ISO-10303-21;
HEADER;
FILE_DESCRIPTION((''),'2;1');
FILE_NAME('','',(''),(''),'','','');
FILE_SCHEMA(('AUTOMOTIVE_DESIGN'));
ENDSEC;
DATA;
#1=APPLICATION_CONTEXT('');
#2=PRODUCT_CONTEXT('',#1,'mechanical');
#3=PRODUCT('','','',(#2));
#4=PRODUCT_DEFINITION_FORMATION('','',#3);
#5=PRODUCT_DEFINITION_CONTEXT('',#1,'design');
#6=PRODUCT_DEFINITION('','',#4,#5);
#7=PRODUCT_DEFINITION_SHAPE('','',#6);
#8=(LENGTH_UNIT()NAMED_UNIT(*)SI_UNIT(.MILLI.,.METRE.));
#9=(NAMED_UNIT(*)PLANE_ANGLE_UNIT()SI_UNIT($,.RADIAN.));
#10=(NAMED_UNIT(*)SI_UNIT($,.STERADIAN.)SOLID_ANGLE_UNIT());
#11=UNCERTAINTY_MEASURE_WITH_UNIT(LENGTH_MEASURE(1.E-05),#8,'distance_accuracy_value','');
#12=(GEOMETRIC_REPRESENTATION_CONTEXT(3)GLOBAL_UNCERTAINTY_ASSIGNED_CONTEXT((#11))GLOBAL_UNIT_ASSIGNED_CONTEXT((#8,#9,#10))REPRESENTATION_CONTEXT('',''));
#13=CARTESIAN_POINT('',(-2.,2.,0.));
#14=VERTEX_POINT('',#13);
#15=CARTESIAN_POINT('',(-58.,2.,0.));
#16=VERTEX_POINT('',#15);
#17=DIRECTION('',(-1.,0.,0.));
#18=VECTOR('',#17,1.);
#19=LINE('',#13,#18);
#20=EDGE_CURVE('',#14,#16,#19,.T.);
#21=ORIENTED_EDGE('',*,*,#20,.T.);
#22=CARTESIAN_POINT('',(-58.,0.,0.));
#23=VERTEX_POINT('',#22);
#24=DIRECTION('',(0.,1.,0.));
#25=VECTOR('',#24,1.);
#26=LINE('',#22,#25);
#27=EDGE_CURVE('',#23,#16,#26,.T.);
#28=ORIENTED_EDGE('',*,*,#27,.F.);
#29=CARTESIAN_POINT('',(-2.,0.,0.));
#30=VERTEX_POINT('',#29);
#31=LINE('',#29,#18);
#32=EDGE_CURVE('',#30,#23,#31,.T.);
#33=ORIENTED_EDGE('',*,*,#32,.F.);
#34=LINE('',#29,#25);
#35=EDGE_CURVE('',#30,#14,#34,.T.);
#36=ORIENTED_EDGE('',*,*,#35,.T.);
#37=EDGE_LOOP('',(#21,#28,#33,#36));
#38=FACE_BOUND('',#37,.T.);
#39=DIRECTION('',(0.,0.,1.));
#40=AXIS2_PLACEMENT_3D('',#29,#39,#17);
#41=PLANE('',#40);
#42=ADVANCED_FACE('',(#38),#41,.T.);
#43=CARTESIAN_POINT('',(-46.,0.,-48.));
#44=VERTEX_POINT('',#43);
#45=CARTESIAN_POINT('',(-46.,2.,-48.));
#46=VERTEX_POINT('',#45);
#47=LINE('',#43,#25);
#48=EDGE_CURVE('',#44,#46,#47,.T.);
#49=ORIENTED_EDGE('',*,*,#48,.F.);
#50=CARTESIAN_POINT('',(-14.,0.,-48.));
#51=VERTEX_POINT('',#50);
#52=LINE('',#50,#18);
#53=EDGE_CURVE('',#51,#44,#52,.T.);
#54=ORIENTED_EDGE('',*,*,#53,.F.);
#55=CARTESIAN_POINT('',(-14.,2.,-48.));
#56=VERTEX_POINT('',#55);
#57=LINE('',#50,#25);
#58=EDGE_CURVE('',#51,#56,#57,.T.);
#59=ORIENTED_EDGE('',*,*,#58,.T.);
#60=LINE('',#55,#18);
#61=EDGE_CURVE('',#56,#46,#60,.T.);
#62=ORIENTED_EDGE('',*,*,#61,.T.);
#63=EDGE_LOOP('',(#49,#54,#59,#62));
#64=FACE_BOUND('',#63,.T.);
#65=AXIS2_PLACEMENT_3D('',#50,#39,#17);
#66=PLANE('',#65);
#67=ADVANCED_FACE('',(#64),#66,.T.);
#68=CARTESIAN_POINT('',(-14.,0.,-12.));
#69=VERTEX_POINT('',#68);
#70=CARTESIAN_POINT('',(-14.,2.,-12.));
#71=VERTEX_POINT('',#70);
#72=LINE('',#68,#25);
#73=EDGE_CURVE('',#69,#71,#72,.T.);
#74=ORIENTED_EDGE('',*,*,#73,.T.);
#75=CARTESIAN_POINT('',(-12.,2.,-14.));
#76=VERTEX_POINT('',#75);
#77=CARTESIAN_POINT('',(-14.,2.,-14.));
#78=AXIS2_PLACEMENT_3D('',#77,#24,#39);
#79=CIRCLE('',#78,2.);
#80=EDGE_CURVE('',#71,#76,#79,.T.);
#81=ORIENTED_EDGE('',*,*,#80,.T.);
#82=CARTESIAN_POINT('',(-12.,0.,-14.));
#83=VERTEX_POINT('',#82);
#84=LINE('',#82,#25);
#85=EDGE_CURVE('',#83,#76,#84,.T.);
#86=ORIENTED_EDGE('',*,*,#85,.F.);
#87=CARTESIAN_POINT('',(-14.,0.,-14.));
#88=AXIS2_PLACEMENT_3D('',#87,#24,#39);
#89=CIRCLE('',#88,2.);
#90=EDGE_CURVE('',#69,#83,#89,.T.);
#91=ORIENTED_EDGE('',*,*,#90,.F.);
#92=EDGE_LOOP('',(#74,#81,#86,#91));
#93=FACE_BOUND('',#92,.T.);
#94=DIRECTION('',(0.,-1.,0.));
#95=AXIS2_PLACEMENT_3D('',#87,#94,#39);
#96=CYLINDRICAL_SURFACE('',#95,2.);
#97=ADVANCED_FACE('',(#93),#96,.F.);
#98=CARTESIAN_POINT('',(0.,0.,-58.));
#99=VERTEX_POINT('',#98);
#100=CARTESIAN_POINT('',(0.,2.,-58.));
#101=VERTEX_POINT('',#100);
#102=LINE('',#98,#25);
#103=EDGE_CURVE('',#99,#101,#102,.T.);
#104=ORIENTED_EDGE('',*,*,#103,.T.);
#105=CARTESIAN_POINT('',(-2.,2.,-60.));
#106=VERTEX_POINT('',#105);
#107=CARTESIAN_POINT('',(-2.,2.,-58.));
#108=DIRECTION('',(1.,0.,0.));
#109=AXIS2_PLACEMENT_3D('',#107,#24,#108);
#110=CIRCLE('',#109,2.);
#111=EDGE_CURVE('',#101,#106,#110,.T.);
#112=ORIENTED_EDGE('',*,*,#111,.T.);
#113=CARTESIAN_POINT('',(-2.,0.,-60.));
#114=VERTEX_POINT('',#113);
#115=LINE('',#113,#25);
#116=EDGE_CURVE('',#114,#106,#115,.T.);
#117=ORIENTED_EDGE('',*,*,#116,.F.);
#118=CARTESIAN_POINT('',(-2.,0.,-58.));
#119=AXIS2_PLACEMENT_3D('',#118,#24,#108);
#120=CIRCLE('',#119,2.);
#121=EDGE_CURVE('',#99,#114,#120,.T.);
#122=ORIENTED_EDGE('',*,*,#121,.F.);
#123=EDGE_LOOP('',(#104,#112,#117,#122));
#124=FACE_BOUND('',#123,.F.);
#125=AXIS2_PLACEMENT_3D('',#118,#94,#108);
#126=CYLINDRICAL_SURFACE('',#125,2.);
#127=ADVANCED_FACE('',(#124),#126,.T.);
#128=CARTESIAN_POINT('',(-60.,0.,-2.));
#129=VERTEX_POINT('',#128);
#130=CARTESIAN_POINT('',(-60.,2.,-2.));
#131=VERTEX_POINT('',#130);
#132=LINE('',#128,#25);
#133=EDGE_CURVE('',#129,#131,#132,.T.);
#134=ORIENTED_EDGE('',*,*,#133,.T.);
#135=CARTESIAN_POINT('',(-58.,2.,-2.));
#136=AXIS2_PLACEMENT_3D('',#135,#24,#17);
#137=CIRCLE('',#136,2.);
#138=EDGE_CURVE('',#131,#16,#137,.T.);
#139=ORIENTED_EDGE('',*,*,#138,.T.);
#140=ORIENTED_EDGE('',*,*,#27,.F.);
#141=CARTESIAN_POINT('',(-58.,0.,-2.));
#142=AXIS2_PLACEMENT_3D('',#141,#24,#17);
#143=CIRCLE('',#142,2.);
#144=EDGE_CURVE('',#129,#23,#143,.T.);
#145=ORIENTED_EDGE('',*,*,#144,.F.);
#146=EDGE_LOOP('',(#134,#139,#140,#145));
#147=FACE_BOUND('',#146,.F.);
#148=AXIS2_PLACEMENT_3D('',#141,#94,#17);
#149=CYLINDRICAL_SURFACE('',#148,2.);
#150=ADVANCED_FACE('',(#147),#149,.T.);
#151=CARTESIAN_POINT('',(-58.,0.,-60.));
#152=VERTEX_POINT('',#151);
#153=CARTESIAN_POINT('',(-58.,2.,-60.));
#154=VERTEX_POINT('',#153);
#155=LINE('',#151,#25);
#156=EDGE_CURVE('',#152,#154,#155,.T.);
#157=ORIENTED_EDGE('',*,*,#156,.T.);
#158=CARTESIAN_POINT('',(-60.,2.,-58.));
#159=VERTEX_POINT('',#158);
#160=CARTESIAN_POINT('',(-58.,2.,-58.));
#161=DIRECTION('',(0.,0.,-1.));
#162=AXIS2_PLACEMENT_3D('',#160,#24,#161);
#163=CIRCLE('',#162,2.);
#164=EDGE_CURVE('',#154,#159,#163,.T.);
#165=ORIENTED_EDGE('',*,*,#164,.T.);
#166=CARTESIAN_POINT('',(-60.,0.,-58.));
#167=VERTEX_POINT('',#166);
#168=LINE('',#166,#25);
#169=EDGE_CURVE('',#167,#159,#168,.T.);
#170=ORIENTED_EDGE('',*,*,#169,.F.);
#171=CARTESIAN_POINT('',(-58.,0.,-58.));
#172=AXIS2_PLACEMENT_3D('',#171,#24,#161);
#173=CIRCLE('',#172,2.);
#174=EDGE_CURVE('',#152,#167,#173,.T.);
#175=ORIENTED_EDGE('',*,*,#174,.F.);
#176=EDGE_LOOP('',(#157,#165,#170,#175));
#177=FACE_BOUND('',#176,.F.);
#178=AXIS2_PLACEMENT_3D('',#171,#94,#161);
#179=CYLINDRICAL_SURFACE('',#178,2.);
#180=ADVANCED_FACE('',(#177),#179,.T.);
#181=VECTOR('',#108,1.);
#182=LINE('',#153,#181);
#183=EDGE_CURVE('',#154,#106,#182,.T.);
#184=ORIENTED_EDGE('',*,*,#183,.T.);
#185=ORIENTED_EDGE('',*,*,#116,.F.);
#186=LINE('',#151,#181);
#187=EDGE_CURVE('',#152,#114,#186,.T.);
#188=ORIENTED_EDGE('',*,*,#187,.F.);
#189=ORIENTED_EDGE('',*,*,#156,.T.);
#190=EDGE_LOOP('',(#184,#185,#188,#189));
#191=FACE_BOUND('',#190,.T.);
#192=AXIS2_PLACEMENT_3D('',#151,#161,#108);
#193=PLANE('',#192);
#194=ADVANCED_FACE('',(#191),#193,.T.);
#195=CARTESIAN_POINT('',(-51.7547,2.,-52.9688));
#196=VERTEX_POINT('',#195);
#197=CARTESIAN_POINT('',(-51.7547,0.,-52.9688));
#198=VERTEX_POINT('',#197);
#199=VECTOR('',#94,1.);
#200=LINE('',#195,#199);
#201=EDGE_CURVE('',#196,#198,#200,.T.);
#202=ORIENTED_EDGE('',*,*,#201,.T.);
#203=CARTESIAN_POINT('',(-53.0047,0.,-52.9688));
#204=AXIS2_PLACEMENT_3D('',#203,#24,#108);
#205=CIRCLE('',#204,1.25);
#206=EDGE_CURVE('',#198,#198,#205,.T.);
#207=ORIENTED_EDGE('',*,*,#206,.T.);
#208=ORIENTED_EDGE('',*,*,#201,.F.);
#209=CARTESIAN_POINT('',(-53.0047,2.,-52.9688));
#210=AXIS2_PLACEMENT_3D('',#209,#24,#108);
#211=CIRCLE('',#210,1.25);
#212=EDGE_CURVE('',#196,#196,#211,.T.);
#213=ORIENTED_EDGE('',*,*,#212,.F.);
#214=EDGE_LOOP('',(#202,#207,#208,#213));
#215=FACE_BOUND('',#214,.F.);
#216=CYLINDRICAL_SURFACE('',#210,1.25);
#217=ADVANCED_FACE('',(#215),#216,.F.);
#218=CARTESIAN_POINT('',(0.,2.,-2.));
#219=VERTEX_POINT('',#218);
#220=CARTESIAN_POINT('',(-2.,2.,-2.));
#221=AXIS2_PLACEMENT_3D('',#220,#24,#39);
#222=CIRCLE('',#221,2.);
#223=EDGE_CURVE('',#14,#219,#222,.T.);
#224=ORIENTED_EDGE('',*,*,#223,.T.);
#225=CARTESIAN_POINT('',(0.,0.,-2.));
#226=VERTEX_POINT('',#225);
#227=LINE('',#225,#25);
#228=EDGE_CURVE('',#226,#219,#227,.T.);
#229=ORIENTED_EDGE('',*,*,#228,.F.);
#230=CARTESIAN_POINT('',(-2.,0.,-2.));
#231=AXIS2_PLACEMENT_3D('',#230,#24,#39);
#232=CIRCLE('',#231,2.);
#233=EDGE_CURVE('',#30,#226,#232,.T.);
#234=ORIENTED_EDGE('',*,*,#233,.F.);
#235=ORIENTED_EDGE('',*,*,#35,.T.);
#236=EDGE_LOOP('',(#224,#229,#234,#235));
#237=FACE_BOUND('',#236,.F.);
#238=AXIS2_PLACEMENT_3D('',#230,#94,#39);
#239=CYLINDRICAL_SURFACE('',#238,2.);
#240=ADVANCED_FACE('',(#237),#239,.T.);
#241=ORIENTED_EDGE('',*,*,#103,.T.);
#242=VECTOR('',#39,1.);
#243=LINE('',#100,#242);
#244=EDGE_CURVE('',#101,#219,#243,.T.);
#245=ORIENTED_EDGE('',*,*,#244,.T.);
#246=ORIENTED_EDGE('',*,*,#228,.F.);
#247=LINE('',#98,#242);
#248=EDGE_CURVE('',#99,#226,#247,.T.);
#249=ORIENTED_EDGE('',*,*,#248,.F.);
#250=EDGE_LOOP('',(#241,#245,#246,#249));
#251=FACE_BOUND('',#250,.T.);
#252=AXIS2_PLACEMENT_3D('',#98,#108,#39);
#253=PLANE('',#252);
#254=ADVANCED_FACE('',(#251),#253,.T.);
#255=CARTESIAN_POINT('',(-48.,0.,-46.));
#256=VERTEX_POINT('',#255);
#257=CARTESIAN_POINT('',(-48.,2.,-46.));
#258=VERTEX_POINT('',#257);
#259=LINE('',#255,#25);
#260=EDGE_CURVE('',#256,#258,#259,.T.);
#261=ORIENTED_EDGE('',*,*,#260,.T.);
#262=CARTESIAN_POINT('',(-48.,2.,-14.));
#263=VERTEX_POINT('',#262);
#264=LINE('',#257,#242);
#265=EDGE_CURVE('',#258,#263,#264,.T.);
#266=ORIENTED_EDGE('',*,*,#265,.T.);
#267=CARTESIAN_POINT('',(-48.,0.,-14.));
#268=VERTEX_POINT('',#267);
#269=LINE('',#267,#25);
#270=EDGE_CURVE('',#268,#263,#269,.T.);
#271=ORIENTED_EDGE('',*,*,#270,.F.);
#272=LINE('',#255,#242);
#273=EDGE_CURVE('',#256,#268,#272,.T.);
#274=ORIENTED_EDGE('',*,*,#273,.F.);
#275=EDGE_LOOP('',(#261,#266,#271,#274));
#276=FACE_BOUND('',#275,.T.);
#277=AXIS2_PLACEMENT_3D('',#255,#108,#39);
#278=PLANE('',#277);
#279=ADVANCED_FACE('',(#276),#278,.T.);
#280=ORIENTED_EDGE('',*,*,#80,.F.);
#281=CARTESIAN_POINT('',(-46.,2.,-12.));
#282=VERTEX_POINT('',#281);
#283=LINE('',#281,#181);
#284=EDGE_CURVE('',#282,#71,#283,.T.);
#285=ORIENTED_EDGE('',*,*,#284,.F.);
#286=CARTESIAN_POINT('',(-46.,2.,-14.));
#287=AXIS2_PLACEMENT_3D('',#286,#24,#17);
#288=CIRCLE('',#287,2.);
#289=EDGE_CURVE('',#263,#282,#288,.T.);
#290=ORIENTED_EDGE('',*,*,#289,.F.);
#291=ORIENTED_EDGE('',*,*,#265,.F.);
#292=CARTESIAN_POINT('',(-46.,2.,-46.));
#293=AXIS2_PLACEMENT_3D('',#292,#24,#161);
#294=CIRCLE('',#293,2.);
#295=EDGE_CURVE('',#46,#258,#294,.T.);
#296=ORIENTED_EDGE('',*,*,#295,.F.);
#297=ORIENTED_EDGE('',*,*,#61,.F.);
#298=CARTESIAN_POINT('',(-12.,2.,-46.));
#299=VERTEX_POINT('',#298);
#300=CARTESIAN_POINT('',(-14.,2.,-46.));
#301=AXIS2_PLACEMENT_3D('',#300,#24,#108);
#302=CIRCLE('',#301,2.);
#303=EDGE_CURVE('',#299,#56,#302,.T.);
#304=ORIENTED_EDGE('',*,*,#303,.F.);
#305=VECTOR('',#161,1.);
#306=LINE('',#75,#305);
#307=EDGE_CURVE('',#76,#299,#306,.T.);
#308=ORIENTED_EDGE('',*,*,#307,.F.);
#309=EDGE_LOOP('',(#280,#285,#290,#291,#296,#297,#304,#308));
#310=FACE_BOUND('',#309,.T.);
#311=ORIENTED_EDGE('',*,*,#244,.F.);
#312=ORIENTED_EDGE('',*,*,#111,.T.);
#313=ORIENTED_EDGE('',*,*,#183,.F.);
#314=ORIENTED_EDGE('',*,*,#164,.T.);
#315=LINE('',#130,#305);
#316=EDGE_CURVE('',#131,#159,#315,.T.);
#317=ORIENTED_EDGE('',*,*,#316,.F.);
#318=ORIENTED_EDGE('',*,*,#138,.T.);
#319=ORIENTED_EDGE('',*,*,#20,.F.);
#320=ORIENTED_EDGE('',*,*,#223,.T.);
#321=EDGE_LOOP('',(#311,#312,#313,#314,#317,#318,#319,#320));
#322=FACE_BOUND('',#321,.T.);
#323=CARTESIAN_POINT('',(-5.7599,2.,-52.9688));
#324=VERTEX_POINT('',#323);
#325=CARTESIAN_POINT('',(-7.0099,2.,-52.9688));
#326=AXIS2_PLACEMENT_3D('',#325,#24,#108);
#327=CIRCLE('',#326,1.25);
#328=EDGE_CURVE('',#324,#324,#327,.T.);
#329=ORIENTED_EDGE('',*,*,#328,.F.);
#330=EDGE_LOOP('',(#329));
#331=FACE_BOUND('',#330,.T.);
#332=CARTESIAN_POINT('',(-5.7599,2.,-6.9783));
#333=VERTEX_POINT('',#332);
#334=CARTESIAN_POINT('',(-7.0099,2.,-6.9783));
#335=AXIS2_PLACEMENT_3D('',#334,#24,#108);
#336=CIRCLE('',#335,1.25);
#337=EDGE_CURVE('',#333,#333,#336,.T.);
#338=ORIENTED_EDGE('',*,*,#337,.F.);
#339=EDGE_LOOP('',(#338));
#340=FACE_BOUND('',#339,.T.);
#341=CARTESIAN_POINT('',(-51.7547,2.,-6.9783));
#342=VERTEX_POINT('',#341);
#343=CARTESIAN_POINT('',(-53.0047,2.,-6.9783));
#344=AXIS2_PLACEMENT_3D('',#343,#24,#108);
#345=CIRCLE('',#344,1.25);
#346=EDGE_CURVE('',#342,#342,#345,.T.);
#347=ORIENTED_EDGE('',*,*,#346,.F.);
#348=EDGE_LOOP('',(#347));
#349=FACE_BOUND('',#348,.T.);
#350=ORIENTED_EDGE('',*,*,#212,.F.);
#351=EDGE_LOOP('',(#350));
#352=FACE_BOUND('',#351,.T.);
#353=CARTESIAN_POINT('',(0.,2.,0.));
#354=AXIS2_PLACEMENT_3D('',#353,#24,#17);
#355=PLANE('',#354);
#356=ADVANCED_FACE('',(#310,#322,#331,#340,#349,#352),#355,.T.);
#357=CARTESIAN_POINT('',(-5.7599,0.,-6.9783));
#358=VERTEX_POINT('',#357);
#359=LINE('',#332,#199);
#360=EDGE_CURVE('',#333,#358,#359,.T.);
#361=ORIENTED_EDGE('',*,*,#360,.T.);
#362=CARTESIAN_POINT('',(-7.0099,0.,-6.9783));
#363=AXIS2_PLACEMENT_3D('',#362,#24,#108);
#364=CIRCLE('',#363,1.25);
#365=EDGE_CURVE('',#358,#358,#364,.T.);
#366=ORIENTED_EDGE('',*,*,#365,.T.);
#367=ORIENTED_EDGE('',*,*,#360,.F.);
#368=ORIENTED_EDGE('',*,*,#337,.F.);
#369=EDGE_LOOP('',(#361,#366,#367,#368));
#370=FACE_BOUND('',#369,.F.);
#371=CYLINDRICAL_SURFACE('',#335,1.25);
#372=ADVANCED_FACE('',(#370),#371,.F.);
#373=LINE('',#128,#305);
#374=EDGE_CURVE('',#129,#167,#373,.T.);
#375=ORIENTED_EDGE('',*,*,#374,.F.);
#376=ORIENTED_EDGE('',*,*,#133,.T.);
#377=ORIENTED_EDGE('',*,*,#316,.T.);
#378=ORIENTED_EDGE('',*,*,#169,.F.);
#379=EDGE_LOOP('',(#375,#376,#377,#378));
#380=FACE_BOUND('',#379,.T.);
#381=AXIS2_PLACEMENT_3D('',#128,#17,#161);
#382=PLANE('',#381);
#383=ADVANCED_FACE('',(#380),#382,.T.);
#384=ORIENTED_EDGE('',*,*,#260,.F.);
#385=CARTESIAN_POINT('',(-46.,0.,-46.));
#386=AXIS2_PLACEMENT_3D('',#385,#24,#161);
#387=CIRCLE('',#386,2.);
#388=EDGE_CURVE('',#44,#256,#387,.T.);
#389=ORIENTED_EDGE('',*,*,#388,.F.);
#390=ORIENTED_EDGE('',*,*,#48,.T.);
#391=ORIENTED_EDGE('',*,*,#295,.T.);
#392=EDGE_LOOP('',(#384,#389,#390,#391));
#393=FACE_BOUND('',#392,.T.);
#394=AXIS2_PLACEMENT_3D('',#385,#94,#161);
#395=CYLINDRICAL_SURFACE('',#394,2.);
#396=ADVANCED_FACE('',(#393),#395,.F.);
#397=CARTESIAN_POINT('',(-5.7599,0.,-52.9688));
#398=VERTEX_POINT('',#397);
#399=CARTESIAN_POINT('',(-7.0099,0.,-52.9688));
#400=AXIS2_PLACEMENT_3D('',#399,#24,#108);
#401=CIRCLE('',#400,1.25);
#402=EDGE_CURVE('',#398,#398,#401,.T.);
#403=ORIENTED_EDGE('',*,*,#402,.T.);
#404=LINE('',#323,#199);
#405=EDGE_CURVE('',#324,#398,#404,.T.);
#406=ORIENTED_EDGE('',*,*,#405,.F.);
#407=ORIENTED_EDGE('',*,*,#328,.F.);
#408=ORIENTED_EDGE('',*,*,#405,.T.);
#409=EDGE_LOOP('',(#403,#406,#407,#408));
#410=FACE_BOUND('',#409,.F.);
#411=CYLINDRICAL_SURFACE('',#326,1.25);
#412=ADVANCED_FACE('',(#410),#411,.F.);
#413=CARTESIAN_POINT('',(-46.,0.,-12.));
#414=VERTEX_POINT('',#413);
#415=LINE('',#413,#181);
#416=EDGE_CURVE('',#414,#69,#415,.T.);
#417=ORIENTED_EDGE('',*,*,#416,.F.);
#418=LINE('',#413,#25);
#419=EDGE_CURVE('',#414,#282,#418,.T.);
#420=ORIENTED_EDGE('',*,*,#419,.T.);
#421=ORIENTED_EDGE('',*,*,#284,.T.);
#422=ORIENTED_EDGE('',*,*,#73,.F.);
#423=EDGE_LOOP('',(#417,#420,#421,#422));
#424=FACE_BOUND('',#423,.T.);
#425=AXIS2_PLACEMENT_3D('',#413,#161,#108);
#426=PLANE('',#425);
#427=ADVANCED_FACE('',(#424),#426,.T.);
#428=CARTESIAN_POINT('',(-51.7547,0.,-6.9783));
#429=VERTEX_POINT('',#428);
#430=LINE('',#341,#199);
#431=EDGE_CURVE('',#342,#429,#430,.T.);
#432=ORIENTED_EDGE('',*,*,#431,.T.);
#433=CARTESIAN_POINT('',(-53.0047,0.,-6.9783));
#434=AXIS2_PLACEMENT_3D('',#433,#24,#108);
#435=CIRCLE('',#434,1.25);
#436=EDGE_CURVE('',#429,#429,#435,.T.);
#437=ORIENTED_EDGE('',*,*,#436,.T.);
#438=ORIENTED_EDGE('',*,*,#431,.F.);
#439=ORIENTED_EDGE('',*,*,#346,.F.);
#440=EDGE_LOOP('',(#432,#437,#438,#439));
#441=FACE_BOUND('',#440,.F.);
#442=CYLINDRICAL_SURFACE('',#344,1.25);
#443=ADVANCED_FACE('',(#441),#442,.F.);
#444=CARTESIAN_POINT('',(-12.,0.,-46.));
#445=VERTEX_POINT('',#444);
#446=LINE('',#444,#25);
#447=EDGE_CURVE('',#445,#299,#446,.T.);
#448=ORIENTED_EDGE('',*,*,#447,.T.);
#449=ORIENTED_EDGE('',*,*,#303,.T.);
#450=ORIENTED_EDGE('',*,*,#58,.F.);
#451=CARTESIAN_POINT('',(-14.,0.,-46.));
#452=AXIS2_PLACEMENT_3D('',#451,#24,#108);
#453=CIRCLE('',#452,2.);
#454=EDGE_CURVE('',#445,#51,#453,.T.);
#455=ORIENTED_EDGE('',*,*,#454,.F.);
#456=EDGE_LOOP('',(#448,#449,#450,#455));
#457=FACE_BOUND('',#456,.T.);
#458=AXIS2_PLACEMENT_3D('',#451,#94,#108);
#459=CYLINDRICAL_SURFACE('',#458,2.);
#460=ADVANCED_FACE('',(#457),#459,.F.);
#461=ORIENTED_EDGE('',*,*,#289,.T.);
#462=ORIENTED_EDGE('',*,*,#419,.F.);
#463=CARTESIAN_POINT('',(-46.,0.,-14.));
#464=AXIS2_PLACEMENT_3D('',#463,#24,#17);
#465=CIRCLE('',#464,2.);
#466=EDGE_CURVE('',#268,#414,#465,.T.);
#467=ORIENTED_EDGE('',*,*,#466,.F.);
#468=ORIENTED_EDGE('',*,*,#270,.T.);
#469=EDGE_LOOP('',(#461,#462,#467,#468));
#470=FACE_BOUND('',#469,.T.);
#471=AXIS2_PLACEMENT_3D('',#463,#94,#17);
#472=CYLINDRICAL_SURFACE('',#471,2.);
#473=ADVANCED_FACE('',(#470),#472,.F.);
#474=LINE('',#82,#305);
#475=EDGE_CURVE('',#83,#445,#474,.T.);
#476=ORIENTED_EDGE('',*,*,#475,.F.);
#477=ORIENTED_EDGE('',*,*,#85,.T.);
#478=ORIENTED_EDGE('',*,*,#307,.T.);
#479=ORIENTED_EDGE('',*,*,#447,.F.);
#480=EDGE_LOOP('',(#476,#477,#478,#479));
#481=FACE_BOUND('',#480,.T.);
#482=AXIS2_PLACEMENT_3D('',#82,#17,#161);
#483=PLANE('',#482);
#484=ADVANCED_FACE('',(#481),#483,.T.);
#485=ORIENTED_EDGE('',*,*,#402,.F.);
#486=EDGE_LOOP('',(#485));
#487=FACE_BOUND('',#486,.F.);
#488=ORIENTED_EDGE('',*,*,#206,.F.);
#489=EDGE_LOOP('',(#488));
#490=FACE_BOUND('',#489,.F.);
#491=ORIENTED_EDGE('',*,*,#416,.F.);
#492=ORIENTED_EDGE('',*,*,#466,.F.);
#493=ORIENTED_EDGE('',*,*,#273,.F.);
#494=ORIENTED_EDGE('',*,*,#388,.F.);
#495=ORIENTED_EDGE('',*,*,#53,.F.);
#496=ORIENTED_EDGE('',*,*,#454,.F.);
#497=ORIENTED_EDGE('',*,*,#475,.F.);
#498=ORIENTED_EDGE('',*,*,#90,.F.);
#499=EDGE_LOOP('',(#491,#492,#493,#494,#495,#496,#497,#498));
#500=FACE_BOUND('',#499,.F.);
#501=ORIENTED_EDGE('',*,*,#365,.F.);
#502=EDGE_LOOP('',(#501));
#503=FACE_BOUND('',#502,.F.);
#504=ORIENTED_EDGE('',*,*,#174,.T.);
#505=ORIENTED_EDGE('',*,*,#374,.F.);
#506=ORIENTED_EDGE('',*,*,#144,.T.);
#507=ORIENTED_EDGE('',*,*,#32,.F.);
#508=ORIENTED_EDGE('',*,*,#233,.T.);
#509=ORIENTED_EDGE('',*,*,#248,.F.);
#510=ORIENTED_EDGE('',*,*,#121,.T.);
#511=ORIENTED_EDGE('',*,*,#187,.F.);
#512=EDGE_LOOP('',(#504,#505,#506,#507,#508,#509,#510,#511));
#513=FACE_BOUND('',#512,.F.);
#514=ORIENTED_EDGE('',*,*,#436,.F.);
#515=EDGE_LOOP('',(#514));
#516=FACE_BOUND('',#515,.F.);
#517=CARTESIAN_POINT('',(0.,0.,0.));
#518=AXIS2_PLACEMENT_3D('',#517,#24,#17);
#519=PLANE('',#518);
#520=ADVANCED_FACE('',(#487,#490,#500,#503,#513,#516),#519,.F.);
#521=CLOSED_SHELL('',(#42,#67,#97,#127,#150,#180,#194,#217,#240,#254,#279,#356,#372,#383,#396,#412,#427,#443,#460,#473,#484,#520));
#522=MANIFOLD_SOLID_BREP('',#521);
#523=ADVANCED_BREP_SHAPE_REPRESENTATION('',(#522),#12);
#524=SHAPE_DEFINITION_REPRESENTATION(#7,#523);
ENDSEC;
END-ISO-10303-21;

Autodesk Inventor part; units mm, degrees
ref_plane "YZ Plane" through (0, 0, 0) normal (1, 0, 0) x (0, 1, 0)
ref_plane "XZ Plane" through (0, 0, 0) normal (0, 1, 0) x (-1, 0, 0)
ref_plane "XY Plane" through (0, 0, 0) normal (0, 0, 1) x (1, 0, 0)
sketch "Sketch2" plane through (0, 0, 0) normal (0, 1, 0) x (-1, 0, 0)
  line L0 (2, 0) -> (58, 0)
  line L1 (60, -2) -> (60, -58)
  line L2 (58, -60) -> (2, -60)
  line L3 (0, -58) -> (0, -2)
  line L4 (48, -46) -> (48, -14)
  line L5 (46, -12) -> (14, -12)
  line L6 (12, -14) -> (12, -46)
  line L7 (14, -48) -> (46, -48)
  arc A0 (60, -2) -> (58, 0) centre (58, -2) ccw
  arc A1 (58, -60) -> (60, -58) centre (58, -58) ccw
  arc A2 (0, -58) -> (2, -60) centre (2, -58) ccw
  arc A3 (2, 0) -> (0, -2) centre (2, -2) ccw
  arc A4 (14, -12) -> (12, -14) centre (14, -14) ccw
  arc A5 (12, -46) -> (14, -48) centre (14, -46) ccw
  arc A6 (46, -48) -> (48, -46) centre (46, -46) ccw
  arc A7 (48, -14) -> (46, -12) centre (46, -14) ccw
  point P0 (0, 0)
  point P1 (60, -60)
  point P2 (60, 0)
  point P3 (0, -60)
  dimension "d9" = 60
  dimension "d10" = 60
  dimension "d11" = 12
  dimension "d12" = 2
extrude "Extrusion2" add sketch "Sketch2" along normal blind 2
sketch "Sketch4" plane through (0, 2, 0) normal (0, 1, 0) x (1, 0, 0)
  circle A0 centre (-53.0047, 6.9783) radius 1.25
  circle A1 centre (-53.0047, 52.9688) radius 1.25
  circle A2 centre (-7.0099, 6.9783) radius 1.25
  circle A3 centre (-7.0099, 52.9688) radius 1.25
  point P0 (0, 0)
  dimension "d27" = 2.5
  dimension "d28" = 2.5
  dimension "d29" = 2.5
  dimension "d30" = 2.5
extrude "Extrusion3" cut sketch "Sketch4" against normal through all
properties part number "top"
